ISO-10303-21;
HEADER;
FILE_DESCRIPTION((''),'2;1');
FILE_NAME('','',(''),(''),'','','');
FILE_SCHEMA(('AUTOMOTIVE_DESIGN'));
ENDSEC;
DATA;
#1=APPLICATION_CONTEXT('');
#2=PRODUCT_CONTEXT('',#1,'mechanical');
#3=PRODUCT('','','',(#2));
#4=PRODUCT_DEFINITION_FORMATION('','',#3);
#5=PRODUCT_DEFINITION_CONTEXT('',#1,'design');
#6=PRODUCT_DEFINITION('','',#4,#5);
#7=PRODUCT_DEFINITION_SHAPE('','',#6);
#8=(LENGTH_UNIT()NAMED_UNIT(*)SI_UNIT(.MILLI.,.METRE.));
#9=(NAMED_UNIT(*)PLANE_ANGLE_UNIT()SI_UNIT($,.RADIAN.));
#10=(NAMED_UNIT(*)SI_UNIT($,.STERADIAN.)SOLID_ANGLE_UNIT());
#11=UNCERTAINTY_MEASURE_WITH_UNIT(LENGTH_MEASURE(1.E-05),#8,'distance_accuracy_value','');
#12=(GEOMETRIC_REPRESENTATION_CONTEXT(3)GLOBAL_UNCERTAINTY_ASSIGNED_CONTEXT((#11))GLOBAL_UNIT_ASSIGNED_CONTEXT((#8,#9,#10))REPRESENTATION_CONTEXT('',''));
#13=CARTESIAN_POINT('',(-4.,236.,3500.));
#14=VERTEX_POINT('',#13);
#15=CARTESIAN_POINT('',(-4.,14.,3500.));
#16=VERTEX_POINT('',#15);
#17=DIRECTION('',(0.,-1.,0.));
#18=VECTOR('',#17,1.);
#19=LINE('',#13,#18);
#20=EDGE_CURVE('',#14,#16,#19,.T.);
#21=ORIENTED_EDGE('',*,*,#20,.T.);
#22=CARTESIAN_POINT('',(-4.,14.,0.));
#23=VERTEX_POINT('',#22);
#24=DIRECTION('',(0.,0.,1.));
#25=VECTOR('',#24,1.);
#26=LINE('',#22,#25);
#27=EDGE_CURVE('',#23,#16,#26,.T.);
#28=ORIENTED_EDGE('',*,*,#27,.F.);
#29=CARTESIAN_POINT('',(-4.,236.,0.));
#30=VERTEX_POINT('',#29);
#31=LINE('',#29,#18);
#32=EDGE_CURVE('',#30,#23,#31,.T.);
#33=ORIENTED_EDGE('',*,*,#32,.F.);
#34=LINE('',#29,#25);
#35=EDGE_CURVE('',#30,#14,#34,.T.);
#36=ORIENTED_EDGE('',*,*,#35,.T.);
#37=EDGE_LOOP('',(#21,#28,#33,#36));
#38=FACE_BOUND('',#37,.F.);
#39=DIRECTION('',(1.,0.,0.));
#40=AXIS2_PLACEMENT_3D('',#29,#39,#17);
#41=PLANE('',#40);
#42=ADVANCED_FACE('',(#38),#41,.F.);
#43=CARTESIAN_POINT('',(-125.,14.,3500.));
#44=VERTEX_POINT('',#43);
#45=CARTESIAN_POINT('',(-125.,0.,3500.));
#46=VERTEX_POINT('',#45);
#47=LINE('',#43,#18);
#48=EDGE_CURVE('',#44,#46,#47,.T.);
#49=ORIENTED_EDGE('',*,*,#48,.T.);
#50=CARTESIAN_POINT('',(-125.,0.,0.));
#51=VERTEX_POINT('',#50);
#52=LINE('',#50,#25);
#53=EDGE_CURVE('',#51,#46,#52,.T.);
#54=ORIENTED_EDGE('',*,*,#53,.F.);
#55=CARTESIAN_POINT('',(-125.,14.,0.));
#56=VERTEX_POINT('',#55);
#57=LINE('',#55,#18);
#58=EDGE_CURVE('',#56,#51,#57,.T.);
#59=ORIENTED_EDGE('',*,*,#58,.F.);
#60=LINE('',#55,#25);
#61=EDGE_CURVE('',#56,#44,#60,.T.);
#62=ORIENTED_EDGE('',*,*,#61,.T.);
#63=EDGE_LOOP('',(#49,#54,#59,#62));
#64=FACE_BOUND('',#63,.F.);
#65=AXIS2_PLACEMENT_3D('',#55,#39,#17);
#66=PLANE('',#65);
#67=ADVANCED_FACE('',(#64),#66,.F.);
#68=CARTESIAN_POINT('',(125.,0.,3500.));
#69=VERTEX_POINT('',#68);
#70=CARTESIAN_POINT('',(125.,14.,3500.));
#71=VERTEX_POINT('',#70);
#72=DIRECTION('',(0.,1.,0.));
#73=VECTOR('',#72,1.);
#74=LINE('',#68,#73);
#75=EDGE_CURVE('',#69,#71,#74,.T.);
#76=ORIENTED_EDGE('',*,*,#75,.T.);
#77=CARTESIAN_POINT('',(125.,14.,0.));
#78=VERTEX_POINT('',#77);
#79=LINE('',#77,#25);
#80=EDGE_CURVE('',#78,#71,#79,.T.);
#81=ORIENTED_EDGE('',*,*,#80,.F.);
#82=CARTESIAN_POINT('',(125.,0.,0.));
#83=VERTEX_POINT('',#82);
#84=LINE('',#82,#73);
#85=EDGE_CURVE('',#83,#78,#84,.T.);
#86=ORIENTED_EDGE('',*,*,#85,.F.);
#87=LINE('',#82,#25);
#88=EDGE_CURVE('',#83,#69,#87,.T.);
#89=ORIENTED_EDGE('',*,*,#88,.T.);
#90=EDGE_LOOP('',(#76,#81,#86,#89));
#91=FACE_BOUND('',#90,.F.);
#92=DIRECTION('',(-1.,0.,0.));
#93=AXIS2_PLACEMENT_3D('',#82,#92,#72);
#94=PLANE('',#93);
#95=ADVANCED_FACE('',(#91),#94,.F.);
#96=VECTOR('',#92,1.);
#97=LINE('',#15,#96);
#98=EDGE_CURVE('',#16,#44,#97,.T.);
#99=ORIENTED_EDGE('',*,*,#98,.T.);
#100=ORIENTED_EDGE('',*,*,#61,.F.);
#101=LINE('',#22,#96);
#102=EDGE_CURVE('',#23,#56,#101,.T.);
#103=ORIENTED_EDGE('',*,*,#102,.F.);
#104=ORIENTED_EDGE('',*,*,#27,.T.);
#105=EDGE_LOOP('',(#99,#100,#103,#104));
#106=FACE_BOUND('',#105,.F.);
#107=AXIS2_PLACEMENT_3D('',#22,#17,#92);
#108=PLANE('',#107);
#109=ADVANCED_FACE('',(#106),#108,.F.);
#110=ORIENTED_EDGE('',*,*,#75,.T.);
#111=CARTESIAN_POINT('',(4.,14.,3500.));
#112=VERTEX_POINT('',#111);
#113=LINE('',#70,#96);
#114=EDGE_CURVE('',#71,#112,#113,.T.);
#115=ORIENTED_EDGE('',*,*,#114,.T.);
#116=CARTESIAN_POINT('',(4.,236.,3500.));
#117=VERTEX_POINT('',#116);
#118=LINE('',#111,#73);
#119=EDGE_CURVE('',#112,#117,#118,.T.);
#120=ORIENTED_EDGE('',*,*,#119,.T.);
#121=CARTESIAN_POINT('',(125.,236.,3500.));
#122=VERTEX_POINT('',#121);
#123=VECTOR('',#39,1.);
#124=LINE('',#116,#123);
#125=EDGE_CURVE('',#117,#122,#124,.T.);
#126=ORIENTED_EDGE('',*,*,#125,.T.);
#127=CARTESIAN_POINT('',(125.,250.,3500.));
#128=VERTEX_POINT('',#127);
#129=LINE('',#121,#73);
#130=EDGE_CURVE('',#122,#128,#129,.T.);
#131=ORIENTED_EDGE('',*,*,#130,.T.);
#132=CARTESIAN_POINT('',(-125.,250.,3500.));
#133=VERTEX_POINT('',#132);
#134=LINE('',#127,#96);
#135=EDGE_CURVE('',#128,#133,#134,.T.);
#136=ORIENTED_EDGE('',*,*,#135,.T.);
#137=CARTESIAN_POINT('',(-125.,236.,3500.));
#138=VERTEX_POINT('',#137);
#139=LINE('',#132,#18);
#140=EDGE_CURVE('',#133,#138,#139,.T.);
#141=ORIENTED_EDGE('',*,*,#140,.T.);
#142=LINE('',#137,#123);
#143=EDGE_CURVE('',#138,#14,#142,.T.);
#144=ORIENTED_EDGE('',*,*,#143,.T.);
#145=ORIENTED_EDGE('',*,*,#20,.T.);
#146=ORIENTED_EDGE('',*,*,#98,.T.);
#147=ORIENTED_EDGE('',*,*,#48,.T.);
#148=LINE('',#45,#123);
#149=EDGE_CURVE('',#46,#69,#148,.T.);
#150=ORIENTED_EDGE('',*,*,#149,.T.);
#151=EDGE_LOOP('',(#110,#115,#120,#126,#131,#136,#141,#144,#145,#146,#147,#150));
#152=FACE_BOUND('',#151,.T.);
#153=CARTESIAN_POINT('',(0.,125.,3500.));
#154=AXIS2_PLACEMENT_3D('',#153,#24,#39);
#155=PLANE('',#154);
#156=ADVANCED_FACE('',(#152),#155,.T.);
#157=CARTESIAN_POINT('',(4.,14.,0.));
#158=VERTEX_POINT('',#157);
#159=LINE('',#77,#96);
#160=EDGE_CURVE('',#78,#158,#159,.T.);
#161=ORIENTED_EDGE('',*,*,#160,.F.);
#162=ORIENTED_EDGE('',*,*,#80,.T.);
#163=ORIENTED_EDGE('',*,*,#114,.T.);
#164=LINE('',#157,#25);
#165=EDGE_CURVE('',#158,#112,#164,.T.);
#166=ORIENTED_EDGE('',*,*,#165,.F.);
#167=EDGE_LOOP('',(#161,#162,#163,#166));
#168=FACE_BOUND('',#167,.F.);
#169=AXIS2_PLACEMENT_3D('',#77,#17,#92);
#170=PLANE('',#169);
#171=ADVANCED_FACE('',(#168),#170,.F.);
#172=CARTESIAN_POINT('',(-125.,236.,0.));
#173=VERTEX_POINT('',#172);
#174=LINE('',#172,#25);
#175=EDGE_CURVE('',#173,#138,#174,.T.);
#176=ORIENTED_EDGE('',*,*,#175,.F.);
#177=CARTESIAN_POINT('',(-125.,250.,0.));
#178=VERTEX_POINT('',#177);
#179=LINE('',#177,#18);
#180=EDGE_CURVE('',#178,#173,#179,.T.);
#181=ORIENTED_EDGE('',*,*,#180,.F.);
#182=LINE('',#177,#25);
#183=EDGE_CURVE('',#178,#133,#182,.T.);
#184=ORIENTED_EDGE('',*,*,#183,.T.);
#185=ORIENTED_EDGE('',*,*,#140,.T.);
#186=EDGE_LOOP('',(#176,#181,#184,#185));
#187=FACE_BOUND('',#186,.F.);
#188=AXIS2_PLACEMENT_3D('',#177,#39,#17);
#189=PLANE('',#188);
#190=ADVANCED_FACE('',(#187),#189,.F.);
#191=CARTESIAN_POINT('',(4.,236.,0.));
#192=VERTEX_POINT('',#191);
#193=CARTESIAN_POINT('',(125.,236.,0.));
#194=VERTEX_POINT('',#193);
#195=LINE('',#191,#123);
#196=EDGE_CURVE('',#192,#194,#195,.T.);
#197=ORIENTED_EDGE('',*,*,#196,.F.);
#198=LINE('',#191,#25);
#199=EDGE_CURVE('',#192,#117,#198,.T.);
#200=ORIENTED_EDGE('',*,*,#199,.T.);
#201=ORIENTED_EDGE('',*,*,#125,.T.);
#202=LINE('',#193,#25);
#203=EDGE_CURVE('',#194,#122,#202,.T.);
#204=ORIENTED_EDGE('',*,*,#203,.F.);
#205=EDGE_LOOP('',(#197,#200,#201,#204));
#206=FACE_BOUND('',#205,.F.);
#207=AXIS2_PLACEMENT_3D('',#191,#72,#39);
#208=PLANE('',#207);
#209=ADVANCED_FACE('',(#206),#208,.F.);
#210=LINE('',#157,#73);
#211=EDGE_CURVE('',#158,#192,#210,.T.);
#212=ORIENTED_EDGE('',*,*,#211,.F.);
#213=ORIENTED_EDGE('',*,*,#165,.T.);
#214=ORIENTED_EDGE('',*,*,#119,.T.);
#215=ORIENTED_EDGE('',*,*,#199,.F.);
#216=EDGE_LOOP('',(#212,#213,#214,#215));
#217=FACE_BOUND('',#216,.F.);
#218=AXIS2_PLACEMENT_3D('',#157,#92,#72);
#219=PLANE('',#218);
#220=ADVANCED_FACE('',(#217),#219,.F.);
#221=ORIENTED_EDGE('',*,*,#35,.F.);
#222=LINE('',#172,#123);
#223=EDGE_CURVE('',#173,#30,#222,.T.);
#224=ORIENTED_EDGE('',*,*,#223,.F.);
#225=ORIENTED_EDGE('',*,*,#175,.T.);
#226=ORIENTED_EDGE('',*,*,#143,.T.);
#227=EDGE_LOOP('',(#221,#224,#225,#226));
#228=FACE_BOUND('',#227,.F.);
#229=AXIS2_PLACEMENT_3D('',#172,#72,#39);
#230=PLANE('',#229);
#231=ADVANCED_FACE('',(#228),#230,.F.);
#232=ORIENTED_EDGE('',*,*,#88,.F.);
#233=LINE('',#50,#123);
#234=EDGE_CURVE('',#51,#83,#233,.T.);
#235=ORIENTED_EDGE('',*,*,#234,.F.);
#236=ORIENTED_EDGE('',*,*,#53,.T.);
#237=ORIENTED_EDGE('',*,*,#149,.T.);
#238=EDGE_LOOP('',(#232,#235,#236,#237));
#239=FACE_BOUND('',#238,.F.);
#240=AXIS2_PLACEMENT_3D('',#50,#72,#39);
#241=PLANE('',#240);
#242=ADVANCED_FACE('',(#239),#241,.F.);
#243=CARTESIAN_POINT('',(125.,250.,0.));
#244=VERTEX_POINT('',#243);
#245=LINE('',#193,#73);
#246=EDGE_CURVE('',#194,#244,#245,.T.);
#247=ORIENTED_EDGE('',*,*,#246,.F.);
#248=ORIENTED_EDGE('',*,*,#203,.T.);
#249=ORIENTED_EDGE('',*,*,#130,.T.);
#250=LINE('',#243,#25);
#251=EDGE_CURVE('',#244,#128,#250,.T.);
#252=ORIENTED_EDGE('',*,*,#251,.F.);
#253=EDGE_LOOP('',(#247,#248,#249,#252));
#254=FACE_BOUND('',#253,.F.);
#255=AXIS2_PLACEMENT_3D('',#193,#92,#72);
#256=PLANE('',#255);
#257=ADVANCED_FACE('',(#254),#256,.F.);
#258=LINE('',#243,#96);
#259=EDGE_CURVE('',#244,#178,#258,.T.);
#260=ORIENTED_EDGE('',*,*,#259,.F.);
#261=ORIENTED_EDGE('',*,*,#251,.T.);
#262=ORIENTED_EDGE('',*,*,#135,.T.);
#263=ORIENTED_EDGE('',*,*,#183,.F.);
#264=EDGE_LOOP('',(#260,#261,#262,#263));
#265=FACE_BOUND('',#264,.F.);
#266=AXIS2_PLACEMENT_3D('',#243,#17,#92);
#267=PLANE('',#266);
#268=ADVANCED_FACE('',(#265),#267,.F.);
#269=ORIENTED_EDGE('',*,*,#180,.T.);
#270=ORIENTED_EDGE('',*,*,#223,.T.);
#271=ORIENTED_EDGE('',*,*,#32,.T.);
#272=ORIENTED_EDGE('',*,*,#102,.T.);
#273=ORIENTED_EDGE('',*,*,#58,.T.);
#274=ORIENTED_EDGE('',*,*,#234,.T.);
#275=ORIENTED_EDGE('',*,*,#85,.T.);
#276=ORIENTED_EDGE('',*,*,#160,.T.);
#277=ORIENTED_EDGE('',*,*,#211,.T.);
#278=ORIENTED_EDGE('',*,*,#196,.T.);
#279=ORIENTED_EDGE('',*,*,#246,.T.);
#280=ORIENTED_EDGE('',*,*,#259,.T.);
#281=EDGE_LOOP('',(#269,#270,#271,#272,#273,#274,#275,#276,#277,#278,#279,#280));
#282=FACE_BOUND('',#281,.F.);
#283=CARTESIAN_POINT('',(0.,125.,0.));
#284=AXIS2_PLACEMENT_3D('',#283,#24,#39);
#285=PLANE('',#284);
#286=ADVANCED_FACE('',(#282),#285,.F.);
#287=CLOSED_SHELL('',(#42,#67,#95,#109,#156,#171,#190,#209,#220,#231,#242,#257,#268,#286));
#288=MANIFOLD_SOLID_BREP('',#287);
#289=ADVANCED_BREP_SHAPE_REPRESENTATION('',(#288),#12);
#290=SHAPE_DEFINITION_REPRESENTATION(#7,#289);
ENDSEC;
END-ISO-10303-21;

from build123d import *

# Parameters (mm, degrees)
F1_DEPTH = 3500


with BuildPart() as f1:
    # F0 (on Top) → F1 (new body)
    with BuildSketch(Plane.XY):
        Polygon((125, 250), (0, 250), (-125, 250), (-125, 236), (-4, 236), (-4, 14), (-125, 14), (-125, 0), (0, 0), (125, 0), (125, 14), (4, 14), (4, 236), (125, 236), align=None)
    extrude(amount=F1_DEPTH)


solid = f1.part
